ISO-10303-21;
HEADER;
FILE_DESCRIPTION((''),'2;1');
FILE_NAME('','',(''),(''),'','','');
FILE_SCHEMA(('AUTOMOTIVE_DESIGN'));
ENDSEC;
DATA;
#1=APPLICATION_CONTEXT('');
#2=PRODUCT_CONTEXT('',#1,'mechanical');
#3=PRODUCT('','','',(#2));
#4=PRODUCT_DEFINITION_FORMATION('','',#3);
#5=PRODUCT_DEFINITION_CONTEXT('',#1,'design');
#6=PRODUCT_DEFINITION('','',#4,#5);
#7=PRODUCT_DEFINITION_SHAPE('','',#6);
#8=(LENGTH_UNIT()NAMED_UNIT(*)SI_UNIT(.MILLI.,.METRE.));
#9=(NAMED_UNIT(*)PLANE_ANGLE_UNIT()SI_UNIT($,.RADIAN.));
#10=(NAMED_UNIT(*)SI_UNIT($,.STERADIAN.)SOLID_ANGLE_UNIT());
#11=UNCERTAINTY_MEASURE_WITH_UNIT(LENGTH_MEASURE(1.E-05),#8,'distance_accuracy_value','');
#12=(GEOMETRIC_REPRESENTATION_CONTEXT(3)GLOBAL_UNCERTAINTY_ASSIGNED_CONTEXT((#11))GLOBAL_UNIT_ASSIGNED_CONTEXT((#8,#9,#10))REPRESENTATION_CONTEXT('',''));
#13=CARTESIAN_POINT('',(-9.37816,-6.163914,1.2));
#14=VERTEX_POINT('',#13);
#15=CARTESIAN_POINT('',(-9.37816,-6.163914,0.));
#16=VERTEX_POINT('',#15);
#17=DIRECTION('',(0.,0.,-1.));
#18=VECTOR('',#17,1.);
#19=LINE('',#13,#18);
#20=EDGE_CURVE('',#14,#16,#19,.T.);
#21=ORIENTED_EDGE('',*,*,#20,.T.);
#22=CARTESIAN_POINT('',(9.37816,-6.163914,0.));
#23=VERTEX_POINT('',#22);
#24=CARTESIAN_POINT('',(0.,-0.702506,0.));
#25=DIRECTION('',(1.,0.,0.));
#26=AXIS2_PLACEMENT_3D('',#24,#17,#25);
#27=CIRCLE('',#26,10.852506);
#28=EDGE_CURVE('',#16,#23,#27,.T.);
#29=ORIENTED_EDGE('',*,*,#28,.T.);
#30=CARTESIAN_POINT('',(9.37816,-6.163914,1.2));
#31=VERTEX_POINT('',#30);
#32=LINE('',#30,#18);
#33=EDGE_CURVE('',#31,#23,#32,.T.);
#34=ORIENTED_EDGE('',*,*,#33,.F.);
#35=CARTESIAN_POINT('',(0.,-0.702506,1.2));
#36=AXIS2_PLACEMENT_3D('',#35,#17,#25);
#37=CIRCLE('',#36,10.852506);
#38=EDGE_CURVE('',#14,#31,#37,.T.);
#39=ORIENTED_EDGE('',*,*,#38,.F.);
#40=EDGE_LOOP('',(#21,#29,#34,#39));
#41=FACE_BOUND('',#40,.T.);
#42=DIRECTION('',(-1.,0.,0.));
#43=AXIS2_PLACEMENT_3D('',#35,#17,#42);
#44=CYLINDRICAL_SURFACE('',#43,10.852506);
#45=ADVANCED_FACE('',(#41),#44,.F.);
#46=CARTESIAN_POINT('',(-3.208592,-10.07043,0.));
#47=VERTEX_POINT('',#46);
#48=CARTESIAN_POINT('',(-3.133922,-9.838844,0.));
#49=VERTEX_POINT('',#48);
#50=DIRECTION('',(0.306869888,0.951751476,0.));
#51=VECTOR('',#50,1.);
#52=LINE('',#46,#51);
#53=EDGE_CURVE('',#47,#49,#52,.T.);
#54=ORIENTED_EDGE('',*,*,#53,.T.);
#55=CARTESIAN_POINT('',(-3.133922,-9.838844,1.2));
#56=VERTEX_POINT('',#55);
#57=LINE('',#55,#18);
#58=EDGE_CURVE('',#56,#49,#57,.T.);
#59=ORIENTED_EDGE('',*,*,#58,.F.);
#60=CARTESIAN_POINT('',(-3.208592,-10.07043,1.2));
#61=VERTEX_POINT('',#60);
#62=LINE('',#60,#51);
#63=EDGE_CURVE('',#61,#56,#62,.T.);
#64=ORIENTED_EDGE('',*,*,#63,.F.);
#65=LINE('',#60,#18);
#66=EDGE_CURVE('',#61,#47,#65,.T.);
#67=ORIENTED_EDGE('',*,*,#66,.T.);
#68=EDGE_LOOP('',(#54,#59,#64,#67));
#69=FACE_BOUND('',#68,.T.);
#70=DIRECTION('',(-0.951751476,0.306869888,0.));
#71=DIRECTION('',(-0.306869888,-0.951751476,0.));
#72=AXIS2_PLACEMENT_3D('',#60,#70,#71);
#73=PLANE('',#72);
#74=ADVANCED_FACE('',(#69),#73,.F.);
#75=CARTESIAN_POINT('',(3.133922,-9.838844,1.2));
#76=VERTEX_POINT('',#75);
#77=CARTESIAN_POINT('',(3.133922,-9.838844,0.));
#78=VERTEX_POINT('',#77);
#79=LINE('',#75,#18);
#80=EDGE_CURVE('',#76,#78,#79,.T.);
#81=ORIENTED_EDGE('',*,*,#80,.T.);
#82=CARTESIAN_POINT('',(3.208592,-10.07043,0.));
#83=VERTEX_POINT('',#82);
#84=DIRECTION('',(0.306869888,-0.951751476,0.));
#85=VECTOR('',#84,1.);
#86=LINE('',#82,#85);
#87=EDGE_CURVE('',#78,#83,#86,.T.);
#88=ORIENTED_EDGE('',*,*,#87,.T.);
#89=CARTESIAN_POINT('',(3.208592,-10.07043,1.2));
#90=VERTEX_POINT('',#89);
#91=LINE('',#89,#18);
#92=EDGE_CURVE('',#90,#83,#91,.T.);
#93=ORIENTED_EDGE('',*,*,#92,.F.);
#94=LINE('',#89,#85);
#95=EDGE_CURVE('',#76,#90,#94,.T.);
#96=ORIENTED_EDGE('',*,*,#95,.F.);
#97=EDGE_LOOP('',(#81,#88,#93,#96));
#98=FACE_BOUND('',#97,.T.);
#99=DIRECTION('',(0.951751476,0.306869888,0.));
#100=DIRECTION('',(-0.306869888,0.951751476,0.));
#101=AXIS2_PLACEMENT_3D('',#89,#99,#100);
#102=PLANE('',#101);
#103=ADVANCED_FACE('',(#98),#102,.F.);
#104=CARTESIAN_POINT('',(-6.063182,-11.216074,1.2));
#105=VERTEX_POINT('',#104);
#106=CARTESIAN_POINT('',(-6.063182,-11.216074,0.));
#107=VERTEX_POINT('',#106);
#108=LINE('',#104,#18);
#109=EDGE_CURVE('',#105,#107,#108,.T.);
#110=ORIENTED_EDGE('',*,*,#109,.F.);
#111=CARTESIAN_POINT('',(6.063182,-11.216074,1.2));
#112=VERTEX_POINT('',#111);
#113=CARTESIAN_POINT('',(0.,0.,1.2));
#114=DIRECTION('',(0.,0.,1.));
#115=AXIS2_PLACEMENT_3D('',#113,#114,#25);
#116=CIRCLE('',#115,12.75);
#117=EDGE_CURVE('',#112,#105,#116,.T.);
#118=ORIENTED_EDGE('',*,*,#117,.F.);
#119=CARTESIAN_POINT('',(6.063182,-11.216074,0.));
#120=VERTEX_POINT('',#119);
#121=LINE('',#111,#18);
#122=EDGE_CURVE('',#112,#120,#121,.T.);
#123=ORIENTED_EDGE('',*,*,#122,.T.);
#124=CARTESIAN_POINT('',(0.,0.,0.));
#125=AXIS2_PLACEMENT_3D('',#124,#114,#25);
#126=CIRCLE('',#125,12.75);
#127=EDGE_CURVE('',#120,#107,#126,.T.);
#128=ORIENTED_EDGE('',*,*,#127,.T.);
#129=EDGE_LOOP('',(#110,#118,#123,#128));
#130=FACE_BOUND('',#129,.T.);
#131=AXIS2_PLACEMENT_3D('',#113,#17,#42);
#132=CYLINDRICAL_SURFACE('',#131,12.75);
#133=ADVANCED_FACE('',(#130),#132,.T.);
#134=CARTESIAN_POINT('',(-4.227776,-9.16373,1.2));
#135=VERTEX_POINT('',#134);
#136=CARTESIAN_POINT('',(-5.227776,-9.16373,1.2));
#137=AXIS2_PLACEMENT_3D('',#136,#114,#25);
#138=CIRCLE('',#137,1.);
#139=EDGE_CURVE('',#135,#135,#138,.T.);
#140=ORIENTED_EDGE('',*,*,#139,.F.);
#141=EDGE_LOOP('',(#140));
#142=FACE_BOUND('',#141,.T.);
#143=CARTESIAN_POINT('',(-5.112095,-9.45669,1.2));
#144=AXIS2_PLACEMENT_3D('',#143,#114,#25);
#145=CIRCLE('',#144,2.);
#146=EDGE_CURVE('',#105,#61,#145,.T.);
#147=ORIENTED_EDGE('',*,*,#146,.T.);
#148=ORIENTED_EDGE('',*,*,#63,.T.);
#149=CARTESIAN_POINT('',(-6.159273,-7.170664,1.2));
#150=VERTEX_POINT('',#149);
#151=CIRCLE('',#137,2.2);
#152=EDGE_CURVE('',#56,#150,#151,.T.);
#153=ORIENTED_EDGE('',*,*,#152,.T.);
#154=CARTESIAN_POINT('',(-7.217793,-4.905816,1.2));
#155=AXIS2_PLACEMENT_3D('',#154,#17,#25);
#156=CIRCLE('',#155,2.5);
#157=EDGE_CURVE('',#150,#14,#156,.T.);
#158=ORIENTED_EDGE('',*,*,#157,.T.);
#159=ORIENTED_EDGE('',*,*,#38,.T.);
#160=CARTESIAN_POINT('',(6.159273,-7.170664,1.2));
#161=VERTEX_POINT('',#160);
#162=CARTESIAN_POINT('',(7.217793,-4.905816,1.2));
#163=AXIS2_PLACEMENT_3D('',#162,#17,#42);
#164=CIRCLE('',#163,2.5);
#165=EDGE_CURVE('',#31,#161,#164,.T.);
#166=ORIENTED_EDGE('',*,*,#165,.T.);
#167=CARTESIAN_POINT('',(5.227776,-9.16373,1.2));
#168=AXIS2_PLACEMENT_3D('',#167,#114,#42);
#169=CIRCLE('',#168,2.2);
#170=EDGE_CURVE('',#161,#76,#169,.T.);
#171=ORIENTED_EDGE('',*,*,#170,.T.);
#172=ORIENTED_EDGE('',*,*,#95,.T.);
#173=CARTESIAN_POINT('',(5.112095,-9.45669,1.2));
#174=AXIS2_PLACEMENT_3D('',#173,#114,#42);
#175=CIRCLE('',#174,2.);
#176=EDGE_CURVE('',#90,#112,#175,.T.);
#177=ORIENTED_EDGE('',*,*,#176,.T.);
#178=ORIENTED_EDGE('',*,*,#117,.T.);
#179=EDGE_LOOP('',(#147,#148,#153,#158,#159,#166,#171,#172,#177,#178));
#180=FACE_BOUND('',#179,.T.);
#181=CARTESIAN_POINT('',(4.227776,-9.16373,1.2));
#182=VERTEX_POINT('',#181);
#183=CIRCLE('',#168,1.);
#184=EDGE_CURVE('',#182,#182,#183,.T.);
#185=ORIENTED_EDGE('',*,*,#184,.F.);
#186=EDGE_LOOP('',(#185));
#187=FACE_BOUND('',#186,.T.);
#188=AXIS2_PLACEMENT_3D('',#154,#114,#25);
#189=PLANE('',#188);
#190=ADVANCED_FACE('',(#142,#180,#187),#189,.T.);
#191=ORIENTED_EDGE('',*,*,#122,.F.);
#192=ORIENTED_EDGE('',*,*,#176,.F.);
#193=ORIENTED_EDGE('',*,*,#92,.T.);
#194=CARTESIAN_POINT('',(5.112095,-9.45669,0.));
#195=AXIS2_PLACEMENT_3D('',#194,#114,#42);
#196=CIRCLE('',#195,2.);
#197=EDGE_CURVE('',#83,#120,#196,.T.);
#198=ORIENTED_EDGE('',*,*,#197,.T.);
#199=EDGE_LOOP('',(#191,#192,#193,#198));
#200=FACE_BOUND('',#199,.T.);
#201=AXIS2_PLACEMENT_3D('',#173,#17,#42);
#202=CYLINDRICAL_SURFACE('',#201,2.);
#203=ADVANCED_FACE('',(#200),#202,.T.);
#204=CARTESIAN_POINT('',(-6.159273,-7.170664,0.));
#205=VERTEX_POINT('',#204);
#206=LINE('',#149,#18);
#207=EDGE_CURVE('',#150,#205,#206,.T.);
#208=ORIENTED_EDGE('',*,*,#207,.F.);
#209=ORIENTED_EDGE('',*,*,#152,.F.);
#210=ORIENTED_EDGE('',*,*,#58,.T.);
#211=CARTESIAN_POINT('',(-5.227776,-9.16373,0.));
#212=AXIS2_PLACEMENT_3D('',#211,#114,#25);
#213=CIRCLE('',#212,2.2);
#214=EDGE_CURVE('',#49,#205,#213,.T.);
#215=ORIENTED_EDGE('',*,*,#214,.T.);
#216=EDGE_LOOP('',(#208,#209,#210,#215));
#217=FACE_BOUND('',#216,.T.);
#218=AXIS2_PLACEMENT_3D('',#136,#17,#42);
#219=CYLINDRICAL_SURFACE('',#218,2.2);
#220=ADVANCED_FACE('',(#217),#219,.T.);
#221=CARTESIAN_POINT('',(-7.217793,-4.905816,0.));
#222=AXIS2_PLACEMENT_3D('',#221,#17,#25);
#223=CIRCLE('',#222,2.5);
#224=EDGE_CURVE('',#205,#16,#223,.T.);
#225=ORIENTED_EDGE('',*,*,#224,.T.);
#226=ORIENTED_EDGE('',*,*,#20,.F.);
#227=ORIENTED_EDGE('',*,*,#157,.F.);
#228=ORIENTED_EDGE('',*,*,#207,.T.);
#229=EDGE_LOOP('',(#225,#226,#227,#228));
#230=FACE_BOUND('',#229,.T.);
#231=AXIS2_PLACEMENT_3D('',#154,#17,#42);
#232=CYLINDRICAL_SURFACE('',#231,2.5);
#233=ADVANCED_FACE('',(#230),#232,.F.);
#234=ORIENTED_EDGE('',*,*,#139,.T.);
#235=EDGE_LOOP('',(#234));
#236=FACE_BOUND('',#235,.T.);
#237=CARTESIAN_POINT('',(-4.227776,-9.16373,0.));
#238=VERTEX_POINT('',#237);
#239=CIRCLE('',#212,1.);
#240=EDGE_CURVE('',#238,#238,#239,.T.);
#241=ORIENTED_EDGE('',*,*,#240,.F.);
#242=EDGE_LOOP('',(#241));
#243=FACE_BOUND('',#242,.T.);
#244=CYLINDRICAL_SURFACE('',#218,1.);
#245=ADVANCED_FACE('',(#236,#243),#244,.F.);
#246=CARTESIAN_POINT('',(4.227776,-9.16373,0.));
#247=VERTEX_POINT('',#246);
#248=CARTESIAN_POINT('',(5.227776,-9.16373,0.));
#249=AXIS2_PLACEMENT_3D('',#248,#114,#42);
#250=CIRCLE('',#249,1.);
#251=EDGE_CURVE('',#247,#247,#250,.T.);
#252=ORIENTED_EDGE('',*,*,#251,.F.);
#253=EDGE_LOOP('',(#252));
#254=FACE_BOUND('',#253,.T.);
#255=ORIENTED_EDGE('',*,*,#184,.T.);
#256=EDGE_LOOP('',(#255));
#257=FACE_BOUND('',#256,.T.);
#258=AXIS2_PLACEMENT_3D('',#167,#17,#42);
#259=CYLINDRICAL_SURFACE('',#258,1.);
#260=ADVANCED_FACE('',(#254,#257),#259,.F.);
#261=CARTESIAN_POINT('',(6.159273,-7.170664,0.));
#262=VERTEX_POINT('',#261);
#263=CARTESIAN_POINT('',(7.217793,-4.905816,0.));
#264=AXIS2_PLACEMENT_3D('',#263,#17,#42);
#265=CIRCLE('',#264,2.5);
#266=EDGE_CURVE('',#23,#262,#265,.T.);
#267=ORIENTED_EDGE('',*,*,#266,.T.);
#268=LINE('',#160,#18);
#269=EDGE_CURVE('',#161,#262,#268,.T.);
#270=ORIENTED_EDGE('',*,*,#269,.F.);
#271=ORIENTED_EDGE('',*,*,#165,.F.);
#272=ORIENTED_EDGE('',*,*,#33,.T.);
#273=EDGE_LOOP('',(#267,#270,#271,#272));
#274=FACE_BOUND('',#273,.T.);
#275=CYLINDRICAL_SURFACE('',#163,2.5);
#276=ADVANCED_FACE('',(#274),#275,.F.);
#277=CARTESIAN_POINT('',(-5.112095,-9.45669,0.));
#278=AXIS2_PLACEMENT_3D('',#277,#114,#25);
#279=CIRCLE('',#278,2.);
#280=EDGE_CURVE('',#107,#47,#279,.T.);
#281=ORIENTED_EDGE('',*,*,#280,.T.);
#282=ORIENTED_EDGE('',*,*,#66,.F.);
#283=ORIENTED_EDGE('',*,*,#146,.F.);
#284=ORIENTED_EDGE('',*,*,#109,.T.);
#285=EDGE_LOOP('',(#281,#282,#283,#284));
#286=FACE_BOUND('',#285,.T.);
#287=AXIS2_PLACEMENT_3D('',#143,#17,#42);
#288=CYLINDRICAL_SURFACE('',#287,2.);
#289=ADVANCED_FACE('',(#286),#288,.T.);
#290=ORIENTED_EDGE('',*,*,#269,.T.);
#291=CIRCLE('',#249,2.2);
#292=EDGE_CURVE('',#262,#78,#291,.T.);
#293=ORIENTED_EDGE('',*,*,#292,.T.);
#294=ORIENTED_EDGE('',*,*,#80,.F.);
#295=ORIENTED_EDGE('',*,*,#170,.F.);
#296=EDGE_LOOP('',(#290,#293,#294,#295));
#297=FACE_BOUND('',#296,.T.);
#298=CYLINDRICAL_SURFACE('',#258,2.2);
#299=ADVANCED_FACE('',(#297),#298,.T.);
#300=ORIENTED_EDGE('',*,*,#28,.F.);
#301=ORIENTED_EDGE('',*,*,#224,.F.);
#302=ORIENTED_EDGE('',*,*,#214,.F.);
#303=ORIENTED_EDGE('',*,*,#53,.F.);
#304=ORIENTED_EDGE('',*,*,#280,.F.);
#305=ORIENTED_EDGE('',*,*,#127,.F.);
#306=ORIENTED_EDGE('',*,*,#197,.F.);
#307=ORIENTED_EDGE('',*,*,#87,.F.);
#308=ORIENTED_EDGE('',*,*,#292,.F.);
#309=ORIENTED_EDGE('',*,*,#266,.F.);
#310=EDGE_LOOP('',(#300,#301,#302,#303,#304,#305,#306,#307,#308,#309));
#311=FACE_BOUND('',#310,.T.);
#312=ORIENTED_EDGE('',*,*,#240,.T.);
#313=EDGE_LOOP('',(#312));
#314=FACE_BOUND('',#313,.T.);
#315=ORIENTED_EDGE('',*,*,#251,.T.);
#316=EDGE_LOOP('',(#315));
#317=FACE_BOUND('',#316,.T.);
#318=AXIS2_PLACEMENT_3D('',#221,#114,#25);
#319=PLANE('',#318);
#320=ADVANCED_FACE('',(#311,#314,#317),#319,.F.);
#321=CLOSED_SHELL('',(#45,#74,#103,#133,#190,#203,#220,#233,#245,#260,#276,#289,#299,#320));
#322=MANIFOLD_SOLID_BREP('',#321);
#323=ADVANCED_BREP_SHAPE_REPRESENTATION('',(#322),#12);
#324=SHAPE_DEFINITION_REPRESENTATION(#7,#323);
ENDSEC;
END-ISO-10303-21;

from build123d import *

# Parameters (mm, degrees)
SKETCH_3_R      = 1
EXTRUDE_1_DEPTH = 1.2


with BuildPart() as part:
    # Эскиз3 → Бобышка-Вытянуть1 (new body)
    with BuildSketch(Plane.XY):
        with BuildLine():
            Line((-3.208591813, -10.070429847), (-3.13392227, -9.838843592))
            ThreePointArc((-3.13392227, -9.838843592), (-3.772590397, -7.513749153), (-6.159272929, -7.170663716))
            ThreePointArc((-6.159272929, -7.170663716), (-7.964052136, -7.291836988), (-9.378160244, -6.16391447))
            ThreePointArc((-9.378160244, -6.16391447), (0, 10.15), (9.378160244, -6.16391447))
            ThreePointArc((9.378160244, -6.16391447), (7.964052136, -7.291836988), (6.159272929, -7.170663716))
            ThreePointArc((6.159272929, -7.170663716), (3.772590397, -7.513749153), (3.13392227, -9.838843592))
            Line((3.13392227, -9.838843592), (3.208591813, -10.070429847))
            ThreePointArc((3.208591813, -10.070429847), (4.367179244, -11.312788363), (6.063182163, -11.216074271))
            ThreePointArc((6.063182163, -11.216074271), (0, 12.75), (-6.063182163, -11.216074271))
            ThreePointArc((-6.063182163, -11.216074271), (-4.367179244, -11.312788363), (-3.208591813, -10.070429847))
        make_face()
        with Locations((-5.227775517, -9.163729839)):
            Circle(SKETCH_3_R, mode=Mode.SUBTRACT)
        with Locations((5.227775517, -9.163729839)):
            Circle(SKETCH_3_R, mode=Mode.SUBTRACT)
    extrude(amount=EXTRUDE_1_DEPTH)


solid = part.part
